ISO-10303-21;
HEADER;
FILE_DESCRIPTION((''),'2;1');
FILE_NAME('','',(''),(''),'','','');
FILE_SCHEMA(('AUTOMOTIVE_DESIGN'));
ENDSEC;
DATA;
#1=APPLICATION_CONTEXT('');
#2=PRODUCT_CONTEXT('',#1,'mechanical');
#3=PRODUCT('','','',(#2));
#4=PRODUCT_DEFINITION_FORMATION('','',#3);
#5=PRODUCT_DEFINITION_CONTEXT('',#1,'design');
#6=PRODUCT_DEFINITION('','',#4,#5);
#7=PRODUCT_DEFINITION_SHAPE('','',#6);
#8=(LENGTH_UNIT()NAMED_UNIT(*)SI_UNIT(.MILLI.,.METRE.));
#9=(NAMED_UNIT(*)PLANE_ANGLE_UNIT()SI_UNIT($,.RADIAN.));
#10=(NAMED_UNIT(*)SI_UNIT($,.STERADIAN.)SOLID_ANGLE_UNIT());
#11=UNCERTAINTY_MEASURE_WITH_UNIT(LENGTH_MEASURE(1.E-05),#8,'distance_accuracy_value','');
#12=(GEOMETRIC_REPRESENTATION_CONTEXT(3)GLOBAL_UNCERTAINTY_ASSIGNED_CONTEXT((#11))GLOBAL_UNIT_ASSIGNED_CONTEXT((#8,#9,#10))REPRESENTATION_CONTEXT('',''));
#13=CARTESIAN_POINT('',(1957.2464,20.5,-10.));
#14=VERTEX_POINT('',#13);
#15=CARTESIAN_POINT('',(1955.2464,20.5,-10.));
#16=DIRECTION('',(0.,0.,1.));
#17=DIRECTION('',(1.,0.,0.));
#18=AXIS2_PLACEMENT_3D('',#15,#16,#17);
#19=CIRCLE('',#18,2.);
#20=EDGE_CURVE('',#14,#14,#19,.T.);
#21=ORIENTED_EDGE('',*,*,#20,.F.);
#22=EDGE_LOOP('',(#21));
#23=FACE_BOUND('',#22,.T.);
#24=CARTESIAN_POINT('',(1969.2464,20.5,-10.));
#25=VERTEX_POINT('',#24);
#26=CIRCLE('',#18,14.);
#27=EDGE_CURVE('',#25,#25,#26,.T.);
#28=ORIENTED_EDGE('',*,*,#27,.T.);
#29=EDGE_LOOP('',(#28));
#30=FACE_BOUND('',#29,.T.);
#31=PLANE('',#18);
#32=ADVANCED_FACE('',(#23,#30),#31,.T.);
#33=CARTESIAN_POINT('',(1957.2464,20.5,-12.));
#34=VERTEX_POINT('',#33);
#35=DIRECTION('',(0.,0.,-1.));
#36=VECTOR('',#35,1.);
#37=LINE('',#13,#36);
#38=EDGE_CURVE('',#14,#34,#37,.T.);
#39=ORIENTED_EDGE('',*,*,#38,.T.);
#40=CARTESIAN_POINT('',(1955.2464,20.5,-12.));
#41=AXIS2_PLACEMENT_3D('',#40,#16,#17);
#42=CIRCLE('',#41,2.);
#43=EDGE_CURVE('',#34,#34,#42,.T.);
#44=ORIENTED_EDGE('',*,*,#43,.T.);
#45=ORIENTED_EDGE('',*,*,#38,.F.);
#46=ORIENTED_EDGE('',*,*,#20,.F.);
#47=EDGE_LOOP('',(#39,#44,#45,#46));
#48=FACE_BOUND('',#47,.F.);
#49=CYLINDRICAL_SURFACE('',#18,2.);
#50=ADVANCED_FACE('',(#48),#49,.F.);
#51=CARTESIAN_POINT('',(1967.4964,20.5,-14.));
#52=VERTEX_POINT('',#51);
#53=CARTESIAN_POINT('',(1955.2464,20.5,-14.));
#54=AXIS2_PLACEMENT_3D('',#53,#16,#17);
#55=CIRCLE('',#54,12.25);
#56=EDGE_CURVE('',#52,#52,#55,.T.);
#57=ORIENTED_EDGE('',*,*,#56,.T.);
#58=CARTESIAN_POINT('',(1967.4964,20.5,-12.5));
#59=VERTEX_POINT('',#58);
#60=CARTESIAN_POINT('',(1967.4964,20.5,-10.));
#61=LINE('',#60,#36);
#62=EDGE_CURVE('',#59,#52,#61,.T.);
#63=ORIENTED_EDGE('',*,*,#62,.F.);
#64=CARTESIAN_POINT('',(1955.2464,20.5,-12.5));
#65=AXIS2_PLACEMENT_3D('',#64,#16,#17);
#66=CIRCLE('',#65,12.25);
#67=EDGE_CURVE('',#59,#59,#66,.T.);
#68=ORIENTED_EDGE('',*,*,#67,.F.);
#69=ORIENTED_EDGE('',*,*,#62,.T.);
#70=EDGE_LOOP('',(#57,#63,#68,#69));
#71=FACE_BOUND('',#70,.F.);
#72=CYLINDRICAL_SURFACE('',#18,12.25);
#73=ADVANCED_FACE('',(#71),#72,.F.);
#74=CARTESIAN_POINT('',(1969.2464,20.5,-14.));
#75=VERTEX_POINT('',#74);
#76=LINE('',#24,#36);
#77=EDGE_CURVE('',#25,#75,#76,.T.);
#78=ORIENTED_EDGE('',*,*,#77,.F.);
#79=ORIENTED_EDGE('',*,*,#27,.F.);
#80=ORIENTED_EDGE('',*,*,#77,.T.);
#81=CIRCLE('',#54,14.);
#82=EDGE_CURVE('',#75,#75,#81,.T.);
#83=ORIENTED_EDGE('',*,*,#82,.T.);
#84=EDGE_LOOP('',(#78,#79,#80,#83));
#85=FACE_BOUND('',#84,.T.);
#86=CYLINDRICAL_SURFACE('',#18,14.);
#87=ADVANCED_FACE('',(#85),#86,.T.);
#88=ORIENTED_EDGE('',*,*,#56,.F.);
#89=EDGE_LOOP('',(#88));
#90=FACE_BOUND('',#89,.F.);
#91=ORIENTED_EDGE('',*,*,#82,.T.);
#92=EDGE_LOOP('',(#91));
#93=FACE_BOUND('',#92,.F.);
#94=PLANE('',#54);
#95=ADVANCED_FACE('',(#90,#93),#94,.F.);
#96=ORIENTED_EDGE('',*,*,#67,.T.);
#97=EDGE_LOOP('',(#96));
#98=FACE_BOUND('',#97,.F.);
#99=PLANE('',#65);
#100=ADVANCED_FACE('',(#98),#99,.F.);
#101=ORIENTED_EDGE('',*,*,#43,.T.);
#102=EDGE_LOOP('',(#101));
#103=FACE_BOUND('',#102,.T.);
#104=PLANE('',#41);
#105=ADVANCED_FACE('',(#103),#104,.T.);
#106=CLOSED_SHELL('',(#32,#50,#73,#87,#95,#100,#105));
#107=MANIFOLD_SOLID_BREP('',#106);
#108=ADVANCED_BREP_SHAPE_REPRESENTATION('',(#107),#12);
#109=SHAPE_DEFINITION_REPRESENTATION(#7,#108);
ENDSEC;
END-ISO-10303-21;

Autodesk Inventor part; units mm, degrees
ref_plane "YZ Plane" through (0, 0, 0) normal (1, 0, 0) x (0, 1, 0)
ref_plane "XZ Plane" through (0, 0, 0) normal (0, 1, 0) x (-1, 0, 0)
ref_plane "РабПлоскость1" through (1955.2464, 20.5, -10) normal (0, 0, 1) x (1, 0, 0)
sketch "Эскиз1" plane through (1955.2464, 20.5, -10) normal (0, 0, 1) x (1, 0, 0)
  circle A0 centre (0, 0) radius 14
  circle A1 centre (0, 0) radius 12.25
  point P0 (-1955.2464, -20.5)
  dimension "d0" = 28
  dimension "d1" = 24.5
ref_plane "РабПлоскость2" through (1941.2464, 6.5, -14) normal (0, 0, 1) x (1, 0, 0)
extrude "Выдавливание1" add sketch "Эскиз1" against normal up to surface (4 mm away)
sketch "Эскиз2" plane through (1955.2464, 20.5, -10) normal (0, 0, 1) x (1, 0, 0)
  circle A0 centre (0, 0) radius 14
  point P0 (-1955.2464, -20.5)
extrude "Выдавливание2" add sketch "Эскиз2" against normal blind 2.5
sketch "Эскиз3" plane through (1955.2464, 20.5, -12.5) normal (0, 0, -1) x (-1, 0, 0)
  circle A0 centre (0, 0) radius 2
  point P0 (1955.2464, -20.5)
  dimension "d6" = 4
sketch "Эскиз4" plane through (1955.2464, 20.5, -10) normal (0, 0, 1) x (1, 0, 0)
  circle A0 centre (0, 0) radius 2
  point P0 (-1955.2464, -20.5)
  dimension "d9" = 4
extrude "Выдавливание4" cut sketch "Эскиз4" against normal blind 2
properties part number "крышка"
